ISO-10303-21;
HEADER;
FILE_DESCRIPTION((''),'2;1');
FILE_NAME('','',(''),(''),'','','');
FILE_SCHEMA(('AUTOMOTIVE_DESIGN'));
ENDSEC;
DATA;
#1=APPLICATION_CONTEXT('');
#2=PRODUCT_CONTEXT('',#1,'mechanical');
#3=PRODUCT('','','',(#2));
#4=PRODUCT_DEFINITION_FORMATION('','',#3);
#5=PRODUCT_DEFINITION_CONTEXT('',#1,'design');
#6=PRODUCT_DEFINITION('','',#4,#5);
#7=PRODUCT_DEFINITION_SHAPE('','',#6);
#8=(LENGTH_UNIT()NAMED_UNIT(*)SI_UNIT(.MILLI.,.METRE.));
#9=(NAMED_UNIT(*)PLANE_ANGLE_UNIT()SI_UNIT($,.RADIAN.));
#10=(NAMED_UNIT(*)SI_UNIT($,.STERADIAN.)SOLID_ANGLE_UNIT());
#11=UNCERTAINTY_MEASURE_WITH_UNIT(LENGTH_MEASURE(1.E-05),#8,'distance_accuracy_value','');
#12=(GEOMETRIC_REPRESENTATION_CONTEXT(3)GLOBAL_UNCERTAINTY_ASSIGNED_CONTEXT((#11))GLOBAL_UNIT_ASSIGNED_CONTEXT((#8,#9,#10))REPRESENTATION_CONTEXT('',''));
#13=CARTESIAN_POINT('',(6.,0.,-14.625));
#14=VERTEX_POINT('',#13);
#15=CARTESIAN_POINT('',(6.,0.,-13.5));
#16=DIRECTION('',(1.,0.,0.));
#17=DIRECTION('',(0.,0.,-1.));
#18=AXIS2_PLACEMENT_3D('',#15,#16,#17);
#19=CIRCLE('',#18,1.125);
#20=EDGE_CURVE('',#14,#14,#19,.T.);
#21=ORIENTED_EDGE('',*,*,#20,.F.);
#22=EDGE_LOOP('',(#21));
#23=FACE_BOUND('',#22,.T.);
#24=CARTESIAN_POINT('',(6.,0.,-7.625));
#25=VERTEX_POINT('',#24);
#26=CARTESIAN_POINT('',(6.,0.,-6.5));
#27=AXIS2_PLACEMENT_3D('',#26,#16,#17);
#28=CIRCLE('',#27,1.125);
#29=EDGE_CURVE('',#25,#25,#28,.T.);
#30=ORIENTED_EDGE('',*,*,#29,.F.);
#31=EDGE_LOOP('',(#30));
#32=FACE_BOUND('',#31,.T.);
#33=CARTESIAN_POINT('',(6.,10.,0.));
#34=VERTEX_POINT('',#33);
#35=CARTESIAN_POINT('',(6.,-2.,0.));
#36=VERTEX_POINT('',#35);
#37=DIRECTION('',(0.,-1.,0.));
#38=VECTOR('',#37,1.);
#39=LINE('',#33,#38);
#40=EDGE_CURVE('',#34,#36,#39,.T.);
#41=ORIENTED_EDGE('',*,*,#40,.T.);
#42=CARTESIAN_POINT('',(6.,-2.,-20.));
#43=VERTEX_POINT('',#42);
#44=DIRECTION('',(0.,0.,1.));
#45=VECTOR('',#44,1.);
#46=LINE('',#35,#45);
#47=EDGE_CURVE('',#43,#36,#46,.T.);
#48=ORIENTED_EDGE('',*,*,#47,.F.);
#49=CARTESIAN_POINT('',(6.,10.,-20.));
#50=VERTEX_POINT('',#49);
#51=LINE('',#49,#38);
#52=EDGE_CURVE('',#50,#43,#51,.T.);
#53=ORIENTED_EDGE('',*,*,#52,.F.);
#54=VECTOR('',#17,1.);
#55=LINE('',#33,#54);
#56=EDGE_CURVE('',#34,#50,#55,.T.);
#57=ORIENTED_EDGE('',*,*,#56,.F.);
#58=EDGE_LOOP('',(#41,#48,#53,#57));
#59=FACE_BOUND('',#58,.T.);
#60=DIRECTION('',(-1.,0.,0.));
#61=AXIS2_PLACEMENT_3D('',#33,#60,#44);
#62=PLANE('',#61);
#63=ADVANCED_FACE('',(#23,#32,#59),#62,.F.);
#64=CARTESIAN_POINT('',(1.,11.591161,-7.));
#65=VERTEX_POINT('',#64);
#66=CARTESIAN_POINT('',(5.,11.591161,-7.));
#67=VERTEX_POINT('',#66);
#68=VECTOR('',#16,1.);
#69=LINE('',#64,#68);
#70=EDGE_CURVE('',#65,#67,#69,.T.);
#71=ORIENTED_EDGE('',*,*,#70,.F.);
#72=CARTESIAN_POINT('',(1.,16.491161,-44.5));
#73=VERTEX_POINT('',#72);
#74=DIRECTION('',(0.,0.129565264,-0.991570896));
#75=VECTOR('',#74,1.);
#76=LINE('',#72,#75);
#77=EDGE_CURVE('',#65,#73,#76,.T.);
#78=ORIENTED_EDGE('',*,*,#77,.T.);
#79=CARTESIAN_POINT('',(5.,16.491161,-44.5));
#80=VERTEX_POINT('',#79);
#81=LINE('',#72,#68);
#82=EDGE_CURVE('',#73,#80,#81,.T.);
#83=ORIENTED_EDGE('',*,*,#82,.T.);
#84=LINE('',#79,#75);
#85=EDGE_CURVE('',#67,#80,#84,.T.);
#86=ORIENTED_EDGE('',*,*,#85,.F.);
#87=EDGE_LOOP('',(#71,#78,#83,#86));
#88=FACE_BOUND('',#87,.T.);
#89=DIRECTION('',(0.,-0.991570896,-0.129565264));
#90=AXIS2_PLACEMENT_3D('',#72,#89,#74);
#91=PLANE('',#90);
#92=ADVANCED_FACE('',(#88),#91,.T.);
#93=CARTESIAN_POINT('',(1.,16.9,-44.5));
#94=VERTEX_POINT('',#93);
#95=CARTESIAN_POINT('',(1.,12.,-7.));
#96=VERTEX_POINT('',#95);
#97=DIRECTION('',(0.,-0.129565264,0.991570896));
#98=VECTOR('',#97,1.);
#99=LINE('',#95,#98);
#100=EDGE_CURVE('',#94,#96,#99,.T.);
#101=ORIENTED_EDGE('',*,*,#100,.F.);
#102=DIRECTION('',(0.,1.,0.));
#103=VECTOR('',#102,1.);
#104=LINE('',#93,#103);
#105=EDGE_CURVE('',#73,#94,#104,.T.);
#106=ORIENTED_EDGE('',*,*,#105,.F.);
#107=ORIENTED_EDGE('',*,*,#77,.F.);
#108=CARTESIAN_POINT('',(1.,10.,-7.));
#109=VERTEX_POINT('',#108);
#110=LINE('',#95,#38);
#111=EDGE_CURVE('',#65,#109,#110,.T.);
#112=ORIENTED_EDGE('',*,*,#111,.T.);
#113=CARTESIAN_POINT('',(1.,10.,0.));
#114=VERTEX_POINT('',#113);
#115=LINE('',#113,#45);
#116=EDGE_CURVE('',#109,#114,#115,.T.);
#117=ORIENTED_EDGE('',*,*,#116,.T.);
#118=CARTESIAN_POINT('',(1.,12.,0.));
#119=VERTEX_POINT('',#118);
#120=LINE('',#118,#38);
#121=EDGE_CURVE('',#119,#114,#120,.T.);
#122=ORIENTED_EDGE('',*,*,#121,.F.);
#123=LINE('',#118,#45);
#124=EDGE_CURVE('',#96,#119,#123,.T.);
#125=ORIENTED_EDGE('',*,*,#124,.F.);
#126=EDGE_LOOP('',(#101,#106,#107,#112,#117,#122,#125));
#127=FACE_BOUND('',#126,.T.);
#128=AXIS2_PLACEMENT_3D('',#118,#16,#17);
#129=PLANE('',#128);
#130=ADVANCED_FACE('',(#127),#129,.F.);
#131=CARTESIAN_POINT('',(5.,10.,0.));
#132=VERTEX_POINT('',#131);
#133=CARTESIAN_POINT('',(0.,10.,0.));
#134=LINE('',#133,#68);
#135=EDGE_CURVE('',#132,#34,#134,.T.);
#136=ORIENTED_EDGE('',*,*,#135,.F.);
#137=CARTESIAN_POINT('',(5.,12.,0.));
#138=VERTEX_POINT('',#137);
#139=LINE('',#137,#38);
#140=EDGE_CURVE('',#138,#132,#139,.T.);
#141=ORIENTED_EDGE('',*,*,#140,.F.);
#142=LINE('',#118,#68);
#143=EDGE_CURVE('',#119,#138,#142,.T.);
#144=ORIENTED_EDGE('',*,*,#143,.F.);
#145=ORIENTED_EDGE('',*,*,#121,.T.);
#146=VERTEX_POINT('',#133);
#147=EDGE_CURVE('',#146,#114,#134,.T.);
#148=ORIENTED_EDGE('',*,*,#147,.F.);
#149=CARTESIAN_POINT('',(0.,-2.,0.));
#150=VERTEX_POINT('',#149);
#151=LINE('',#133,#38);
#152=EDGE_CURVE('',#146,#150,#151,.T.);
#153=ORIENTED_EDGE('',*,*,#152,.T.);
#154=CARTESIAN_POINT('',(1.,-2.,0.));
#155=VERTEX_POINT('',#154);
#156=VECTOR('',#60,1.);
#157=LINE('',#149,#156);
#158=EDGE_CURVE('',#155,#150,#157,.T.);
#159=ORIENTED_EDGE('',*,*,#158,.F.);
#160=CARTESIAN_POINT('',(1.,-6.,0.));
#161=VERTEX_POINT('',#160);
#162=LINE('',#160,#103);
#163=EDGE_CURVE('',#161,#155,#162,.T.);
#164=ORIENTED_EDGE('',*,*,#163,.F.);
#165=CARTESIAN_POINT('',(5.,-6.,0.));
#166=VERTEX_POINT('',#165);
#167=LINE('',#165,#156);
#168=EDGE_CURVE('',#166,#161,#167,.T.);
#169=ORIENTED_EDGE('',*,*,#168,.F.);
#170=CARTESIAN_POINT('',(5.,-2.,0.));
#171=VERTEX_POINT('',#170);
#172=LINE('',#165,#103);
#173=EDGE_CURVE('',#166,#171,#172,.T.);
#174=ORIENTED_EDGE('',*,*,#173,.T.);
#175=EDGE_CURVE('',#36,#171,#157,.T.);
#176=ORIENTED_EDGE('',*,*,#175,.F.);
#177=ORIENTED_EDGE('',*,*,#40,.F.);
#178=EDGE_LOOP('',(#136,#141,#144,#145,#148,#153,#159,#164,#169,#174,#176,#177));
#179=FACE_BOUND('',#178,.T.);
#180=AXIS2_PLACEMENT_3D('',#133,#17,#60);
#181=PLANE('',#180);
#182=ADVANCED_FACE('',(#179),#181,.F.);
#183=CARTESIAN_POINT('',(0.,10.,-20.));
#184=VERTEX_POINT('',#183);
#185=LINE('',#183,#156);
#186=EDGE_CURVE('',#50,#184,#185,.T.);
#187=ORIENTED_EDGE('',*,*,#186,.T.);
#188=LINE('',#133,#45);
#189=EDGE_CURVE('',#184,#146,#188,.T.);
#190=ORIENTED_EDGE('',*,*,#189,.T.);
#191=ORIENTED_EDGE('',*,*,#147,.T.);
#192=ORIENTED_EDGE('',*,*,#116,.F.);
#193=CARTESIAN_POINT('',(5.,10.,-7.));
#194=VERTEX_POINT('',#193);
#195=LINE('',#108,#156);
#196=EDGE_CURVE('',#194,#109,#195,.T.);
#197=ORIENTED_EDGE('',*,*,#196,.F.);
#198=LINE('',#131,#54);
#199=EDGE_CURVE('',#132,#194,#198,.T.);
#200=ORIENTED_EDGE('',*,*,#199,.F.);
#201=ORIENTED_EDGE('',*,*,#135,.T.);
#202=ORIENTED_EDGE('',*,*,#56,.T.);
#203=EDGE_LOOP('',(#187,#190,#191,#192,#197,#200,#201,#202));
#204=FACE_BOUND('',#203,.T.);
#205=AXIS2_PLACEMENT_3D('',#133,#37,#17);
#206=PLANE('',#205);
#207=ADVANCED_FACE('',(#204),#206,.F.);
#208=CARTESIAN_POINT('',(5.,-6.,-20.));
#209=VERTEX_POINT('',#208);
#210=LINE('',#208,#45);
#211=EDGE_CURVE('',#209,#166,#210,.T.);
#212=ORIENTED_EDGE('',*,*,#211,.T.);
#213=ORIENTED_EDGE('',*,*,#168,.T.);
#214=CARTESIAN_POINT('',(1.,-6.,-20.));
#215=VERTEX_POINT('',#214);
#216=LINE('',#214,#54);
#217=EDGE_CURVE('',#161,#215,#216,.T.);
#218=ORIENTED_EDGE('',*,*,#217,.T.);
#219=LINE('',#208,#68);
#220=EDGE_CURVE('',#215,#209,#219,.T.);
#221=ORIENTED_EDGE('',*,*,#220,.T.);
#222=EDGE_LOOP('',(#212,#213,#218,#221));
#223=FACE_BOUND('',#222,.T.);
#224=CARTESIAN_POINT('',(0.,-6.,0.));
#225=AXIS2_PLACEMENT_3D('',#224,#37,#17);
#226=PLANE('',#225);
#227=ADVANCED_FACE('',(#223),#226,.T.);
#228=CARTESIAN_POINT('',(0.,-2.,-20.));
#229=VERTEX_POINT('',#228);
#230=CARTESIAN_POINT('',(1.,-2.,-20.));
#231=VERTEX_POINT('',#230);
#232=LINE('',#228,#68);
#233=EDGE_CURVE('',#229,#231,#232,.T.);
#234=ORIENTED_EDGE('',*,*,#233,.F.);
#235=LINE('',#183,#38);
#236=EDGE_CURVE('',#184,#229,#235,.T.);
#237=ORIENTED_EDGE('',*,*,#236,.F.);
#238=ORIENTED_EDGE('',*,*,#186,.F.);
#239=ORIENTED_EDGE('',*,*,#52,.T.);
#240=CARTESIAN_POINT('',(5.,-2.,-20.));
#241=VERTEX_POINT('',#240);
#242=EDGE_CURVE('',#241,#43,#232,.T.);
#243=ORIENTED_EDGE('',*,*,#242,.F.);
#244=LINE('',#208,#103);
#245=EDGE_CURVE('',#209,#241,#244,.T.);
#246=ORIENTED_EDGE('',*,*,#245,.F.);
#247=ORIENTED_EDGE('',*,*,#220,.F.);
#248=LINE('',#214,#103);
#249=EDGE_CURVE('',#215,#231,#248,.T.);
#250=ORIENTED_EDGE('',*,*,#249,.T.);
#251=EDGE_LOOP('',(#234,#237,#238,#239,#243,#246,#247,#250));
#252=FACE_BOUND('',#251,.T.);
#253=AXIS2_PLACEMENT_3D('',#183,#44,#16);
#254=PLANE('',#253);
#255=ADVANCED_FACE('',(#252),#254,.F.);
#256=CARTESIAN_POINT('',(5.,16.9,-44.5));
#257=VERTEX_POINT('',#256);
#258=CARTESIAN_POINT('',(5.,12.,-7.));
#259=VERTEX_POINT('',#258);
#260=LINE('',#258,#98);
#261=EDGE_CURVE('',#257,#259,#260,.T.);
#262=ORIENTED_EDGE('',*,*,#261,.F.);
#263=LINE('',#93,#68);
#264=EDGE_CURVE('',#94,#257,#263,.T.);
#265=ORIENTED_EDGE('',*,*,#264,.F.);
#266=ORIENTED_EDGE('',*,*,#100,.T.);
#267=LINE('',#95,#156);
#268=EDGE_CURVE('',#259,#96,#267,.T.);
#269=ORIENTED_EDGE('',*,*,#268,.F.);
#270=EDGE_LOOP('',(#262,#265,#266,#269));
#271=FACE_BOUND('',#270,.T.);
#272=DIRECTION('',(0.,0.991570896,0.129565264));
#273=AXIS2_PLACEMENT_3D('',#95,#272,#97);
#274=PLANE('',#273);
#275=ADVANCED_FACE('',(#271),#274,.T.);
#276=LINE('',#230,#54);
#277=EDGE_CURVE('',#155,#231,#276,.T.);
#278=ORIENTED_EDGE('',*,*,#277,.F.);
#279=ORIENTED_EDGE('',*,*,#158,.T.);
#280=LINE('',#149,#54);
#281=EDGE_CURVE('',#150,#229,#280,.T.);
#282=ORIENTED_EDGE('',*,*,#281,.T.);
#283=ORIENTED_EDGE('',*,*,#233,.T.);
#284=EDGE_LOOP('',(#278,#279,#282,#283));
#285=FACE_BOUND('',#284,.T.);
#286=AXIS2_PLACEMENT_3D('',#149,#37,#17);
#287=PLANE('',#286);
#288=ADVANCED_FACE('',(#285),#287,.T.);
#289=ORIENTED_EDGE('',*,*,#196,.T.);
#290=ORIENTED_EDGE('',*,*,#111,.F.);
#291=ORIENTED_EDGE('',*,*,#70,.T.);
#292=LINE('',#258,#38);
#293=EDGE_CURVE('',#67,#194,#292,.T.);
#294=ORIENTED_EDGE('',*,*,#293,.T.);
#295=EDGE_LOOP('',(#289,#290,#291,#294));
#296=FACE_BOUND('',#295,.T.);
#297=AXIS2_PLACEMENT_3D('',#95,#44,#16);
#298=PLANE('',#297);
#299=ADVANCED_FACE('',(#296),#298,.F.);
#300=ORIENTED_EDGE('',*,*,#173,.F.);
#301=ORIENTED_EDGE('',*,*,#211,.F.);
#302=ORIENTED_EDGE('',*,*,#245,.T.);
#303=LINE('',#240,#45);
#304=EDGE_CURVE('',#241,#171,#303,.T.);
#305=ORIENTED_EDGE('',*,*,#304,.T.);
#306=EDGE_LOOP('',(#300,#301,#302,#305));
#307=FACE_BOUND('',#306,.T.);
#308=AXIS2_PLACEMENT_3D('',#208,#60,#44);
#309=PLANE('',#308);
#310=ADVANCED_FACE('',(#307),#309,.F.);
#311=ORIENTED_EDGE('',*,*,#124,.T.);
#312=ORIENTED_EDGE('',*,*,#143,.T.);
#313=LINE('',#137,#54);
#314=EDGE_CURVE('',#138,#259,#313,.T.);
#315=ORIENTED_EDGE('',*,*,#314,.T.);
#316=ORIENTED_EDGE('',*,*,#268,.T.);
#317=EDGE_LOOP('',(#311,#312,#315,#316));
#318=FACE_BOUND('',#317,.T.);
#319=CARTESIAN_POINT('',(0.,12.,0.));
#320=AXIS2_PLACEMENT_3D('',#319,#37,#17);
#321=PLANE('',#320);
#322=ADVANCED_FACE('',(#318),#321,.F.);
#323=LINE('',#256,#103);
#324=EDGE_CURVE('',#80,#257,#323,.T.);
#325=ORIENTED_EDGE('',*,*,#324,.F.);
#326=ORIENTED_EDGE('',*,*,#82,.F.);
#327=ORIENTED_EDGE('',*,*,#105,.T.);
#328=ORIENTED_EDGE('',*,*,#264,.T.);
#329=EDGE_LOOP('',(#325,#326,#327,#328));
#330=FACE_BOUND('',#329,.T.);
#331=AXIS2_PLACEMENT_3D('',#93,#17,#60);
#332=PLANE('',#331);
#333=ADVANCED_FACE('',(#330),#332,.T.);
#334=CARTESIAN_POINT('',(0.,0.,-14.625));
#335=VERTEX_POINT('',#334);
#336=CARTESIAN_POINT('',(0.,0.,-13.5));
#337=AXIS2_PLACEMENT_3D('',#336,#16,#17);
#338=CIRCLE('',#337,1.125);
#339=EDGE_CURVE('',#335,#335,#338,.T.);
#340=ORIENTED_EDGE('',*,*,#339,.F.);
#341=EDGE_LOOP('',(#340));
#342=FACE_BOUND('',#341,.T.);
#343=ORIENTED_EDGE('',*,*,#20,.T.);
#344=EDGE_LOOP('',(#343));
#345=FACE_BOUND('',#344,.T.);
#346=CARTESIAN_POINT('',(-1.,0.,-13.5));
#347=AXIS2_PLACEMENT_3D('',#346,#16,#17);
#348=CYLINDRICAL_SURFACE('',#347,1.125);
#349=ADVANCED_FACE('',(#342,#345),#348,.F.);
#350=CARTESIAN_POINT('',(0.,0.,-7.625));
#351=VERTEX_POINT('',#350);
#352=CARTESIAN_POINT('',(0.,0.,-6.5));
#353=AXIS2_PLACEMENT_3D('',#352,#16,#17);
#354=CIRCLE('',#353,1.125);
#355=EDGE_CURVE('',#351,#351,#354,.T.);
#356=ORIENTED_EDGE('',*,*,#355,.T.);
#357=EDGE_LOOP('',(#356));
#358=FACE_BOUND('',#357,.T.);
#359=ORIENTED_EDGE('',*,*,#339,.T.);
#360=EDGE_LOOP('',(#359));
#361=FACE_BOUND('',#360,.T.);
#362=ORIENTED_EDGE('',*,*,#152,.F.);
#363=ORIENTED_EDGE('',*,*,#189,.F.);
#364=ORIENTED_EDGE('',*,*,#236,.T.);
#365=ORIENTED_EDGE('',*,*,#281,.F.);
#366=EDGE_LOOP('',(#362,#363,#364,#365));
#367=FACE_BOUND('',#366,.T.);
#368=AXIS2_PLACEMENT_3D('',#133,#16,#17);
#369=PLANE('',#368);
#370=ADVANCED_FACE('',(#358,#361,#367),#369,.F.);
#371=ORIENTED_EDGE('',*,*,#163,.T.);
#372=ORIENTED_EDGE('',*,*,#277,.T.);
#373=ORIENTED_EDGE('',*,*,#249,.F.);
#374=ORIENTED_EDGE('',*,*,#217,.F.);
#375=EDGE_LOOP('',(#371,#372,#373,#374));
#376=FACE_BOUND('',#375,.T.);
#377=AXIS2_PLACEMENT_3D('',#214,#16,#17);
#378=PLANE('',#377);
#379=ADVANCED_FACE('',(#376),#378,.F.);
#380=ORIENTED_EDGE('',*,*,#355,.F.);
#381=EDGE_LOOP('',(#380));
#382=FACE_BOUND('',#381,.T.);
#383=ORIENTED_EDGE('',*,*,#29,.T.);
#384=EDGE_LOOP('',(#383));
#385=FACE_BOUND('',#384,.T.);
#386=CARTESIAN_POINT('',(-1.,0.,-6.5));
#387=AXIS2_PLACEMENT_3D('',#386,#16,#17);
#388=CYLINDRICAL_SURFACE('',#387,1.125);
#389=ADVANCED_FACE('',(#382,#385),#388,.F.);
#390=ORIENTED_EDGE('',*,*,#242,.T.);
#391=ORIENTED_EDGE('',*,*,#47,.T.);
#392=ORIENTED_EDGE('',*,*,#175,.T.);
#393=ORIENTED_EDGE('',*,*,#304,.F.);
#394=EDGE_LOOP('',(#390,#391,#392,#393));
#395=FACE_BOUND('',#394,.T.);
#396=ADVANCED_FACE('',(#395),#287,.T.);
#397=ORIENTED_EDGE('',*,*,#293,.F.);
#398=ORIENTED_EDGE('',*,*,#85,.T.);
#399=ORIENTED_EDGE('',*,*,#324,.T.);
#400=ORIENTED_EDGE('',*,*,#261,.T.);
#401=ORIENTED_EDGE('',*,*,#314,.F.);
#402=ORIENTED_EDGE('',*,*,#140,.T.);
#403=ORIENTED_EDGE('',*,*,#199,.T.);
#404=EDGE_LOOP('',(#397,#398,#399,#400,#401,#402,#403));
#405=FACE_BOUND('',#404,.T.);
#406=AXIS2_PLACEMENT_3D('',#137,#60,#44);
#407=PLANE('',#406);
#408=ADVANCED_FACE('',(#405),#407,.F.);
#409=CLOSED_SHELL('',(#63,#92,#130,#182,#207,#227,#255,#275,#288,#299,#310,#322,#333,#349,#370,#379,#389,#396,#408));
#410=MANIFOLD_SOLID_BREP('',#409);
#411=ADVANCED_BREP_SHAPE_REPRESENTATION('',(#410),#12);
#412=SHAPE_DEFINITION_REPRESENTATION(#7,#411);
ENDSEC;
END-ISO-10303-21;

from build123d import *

# Parameters (mm, degrees)
SKETCH1_W           = 6
SKETCH1_H           = 20
BOSS_EXTRUDE1_DEPTH = 10
SKETCH3_W           = 6
SKETCH3_H           = 20
BOSS_EXTRUDE2_DEPTH = 2
SKETCH2_R           = 1.125
CUT_EXTRUDE1_DEPTH  = 7
SKETCH4_W           = 4
SKETCH4_H           = 20
BOSS_EXTRUDE3_DEPTH = 4
SKETCH5_W           = 4
SKETCH5_H           = 7
BOSS_EXTRUDE4_DEPTH = 2
BOSS_EXTRUDE5_DEPTH = 4


with BuildPart() as part:
    # Sketch1 → Boss-Extrude1 (new body)
    with BuildSketch(Plane(origin=(0, 0, 0), x_dir=(1, 0, 0), z_dir=(0, 1, 0))):
        with Locations((3, 10)):
            Rectangle(SKETCH1_W, SKETCH1_H)
    extrude(amount=BOSS_EXTRUDE1_DEPTH)

    # Sketch3 → Boss-Extrude2 (add)
    with BuildSketch(Plane(origin=(0, 0, 0), x_dir=(-1, 0, 0), z_dir=(0, -1, 0))):
        with Locations((-3, 10)):
            Rectangle(SKETCH3_W, SKETCH3_H)
    extrude(amount=BOSS_EXTRUDE2_DEPTH)

    # Sketch2 → Cut-Extrude1 (cut)
    with BuildSketch(Plane(origin=(6, 0, 0), x_dir=(0, 0, -1), z_dir=(1, 0, 0))):
        with Locations((6.5, 0)):
            Circle(SKETCH2_R)
        with Locations((13.5, 0)):
            Circle(SKETCH2_R)
    extrude(amount=-CUT_EXTRUDE1_DEPTH, mode=Mode.SUBTRACT)

    # Sketch4 → Boss-Extrude3 (add)
    with BuildSketch(Plane(origin=(0, -2, 0), x_dir=(-1, 0, 0), z_dir=(0, -1, 0))):
        with Locations((-3, 10)):
            Rectangle(SKETCH4_W, SKETCH4_H)
    extrude(amount=BOSS_EXTRUDE3_DEPTH)

    # Sketch5 → Boss-Extrude4 (add)
    with BuildSketch(Plane(origin=(0, 10, 0), x_dir=(1, 0, 0), z_dir=(0, 1, 0))):
        with Locations((3, 3.5)):
            Rectangle(SKETCH5_W, SKETCH5_H)
    extrude(amount=BOSS_EXTRUDE4_DEPTH)

    # Sketch7 → Boss-Extrude5 (add)
    with BuildSketch(Plane(origin=(5, 0, 0), x_dir=(0, 0, -1), z_dir=(1, 0, 0))):
        Polygon((7, 12), (44.5, 16.9), (44.5, 16.491160733), (7, 11.591160733), (7, 10), (0, 10), (0, 12), align=None)
    extrude(amount=-BOSS_EXTRUDE5_DEPTH)


solid = part.part
